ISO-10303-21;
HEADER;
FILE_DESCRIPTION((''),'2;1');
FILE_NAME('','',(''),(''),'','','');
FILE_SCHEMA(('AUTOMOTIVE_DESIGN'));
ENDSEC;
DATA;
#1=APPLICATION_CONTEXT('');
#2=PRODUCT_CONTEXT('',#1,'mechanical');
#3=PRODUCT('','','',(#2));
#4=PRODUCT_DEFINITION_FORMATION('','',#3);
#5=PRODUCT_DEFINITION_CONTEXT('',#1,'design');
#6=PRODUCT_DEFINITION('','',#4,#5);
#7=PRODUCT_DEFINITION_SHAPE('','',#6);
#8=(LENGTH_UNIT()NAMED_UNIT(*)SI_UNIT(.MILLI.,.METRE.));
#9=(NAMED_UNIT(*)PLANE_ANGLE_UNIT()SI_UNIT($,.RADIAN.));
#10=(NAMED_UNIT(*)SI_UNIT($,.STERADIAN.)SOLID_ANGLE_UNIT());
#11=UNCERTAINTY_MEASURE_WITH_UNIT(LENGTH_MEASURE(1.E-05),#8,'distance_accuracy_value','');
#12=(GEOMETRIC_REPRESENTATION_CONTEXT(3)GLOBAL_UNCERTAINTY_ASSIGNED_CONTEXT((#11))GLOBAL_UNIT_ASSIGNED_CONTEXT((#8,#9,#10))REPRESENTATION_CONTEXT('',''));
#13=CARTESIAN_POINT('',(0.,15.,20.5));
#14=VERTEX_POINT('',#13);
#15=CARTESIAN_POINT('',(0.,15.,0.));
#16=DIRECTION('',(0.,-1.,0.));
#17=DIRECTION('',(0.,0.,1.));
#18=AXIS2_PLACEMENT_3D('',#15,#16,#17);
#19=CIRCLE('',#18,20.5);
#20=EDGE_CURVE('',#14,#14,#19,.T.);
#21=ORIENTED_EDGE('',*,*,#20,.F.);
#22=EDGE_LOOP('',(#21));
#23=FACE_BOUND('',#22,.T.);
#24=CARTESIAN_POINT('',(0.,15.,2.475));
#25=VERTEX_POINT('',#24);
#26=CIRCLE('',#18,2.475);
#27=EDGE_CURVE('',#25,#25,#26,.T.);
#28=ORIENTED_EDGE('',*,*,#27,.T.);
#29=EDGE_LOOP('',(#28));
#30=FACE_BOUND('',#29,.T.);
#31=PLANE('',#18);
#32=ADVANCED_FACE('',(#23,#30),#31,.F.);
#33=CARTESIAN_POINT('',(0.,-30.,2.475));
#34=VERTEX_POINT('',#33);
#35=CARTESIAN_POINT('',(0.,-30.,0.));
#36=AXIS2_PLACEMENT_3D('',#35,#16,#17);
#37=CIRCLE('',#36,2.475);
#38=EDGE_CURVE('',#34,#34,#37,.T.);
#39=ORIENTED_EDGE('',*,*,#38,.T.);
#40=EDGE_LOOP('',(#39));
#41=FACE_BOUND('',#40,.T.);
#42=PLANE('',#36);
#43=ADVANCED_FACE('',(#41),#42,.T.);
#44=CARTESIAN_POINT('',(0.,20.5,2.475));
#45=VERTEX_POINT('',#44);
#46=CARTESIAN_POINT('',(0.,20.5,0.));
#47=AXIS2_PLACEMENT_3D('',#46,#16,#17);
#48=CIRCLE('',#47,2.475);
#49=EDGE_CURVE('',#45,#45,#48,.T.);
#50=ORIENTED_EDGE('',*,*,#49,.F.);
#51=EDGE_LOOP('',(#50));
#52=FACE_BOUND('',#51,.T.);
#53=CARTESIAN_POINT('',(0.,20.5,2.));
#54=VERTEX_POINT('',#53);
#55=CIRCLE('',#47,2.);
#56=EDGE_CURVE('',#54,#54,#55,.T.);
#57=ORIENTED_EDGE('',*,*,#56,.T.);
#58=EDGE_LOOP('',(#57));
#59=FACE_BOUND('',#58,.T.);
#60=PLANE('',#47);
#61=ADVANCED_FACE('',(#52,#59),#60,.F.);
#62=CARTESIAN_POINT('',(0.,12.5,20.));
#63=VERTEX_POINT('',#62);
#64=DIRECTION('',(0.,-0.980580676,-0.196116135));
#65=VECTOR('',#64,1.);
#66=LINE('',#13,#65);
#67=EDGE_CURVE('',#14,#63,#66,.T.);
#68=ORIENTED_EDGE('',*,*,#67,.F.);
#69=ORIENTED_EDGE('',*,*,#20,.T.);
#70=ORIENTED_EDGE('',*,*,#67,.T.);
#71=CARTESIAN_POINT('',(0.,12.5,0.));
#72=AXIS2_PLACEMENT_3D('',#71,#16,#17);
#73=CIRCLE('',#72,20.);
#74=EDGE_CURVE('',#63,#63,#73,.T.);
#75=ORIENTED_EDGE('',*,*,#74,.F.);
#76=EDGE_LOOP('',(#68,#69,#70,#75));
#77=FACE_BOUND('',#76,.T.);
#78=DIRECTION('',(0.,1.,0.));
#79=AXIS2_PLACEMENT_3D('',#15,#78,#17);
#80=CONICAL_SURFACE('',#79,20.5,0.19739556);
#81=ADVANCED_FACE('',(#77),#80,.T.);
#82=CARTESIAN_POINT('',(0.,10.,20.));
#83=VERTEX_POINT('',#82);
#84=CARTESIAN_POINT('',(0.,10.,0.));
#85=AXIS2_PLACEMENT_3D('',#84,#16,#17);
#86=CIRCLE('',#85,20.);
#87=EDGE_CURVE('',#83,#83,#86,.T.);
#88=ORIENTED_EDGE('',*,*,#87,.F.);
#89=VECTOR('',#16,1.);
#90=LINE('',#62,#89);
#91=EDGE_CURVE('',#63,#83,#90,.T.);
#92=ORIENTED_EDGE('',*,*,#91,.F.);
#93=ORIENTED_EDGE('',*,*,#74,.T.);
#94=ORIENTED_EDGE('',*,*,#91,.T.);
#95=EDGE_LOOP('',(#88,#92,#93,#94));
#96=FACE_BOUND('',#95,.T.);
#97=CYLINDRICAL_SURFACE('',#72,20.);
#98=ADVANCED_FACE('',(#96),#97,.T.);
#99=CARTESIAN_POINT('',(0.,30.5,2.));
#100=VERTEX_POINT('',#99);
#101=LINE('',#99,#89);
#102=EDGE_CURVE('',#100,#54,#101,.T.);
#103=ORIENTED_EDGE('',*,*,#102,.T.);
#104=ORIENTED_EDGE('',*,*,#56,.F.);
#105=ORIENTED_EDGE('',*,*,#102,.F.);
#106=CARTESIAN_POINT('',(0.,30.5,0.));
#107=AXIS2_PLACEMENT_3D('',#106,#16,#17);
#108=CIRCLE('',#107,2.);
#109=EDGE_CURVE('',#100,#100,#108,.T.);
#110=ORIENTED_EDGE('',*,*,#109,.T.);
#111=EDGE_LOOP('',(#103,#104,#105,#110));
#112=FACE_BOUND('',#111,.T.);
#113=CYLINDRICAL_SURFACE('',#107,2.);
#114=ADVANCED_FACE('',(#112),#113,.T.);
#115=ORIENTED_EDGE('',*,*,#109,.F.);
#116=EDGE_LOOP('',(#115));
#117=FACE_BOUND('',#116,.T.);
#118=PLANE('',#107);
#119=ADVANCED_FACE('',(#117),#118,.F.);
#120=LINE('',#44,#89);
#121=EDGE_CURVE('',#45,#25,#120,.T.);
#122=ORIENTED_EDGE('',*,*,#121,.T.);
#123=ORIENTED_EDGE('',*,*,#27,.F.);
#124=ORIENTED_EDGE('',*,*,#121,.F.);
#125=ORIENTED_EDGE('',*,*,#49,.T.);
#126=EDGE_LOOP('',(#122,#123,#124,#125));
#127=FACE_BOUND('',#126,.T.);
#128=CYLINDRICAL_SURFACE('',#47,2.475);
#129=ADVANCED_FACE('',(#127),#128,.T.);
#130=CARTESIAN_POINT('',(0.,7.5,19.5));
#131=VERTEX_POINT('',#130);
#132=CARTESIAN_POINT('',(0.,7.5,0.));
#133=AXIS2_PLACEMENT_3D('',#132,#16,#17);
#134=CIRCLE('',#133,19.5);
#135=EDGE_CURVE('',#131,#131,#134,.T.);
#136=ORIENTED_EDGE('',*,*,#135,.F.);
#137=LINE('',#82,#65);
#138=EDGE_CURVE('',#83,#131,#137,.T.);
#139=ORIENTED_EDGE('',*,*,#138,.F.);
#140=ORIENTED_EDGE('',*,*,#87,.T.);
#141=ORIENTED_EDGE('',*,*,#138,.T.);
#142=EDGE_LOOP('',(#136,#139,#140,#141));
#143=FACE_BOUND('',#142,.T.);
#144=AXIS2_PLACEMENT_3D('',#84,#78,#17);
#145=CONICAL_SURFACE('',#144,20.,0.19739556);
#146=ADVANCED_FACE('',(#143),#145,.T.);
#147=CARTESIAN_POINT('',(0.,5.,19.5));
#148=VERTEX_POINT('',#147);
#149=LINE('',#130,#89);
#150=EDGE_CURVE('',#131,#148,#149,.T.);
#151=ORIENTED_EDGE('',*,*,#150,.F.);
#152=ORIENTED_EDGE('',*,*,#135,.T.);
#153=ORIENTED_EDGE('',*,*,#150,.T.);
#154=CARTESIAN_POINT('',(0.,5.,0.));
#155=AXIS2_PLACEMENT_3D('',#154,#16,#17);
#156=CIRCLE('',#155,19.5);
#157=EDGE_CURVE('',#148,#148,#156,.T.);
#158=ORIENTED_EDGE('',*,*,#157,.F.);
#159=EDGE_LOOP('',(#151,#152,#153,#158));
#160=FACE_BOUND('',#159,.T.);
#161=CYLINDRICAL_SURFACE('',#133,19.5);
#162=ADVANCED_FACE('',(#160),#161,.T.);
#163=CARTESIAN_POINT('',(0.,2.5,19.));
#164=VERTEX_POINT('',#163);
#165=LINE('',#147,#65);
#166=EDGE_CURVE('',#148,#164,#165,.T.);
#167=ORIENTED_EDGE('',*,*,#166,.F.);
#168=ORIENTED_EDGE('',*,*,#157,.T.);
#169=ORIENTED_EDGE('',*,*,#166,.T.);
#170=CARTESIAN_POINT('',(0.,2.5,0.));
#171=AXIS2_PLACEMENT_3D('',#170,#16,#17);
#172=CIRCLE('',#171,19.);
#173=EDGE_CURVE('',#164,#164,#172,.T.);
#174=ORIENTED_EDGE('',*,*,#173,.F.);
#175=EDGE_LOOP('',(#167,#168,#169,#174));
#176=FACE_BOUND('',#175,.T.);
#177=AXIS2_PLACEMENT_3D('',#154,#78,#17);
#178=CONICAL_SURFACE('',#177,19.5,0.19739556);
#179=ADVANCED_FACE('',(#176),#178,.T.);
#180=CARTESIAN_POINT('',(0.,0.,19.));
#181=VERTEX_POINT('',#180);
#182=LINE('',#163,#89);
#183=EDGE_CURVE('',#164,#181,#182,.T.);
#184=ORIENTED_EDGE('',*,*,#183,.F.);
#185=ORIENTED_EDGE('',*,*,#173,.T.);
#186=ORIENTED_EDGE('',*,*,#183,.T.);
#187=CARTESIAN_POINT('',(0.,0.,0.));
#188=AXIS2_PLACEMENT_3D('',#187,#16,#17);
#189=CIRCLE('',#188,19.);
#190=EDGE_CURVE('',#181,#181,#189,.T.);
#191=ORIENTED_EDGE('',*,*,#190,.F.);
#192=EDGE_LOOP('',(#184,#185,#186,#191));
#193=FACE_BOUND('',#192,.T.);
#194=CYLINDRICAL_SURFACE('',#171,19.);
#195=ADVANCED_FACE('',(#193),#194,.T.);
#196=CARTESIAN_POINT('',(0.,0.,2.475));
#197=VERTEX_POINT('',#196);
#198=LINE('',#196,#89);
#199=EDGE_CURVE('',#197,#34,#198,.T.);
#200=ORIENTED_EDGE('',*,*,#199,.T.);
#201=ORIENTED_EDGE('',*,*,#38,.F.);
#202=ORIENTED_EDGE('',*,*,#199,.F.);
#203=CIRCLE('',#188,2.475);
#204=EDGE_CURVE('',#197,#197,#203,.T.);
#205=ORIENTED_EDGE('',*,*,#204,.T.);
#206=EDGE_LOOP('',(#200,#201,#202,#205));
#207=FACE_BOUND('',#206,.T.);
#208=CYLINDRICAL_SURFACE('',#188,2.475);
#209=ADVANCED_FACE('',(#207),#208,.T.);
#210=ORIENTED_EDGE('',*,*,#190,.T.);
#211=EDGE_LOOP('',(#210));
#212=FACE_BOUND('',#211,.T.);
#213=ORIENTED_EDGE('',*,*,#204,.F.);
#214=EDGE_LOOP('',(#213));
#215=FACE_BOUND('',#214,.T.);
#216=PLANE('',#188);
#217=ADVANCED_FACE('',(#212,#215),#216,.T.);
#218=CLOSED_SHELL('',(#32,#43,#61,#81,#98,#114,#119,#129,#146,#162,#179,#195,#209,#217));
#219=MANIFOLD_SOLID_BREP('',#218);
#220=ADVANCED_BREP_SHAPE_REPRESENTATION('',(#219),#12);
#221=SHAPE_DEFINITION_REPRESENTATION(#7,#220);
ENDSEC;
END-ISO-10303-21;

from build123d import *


with BuildPart() as f1:
    # F0 (on Right) → F1 (revolve)
    with BuildSketch(Plane.YZ):
        Polygon((-30, 2.475), (-30, 0), (30.5, 0), (30.5, 2), (20.5, 2), (20.5, 2.475), (15, 2.475), (15, 20.5), (12.5, 20), (10, 20), (7.5, 19.5), (5, 19.5), (2.5, 19), (0, 19), (0, 2.475), align=None)
    revolve(axis=Axis((0, 0.25, 0), (0, -1, 0)))


solid = f1.part
